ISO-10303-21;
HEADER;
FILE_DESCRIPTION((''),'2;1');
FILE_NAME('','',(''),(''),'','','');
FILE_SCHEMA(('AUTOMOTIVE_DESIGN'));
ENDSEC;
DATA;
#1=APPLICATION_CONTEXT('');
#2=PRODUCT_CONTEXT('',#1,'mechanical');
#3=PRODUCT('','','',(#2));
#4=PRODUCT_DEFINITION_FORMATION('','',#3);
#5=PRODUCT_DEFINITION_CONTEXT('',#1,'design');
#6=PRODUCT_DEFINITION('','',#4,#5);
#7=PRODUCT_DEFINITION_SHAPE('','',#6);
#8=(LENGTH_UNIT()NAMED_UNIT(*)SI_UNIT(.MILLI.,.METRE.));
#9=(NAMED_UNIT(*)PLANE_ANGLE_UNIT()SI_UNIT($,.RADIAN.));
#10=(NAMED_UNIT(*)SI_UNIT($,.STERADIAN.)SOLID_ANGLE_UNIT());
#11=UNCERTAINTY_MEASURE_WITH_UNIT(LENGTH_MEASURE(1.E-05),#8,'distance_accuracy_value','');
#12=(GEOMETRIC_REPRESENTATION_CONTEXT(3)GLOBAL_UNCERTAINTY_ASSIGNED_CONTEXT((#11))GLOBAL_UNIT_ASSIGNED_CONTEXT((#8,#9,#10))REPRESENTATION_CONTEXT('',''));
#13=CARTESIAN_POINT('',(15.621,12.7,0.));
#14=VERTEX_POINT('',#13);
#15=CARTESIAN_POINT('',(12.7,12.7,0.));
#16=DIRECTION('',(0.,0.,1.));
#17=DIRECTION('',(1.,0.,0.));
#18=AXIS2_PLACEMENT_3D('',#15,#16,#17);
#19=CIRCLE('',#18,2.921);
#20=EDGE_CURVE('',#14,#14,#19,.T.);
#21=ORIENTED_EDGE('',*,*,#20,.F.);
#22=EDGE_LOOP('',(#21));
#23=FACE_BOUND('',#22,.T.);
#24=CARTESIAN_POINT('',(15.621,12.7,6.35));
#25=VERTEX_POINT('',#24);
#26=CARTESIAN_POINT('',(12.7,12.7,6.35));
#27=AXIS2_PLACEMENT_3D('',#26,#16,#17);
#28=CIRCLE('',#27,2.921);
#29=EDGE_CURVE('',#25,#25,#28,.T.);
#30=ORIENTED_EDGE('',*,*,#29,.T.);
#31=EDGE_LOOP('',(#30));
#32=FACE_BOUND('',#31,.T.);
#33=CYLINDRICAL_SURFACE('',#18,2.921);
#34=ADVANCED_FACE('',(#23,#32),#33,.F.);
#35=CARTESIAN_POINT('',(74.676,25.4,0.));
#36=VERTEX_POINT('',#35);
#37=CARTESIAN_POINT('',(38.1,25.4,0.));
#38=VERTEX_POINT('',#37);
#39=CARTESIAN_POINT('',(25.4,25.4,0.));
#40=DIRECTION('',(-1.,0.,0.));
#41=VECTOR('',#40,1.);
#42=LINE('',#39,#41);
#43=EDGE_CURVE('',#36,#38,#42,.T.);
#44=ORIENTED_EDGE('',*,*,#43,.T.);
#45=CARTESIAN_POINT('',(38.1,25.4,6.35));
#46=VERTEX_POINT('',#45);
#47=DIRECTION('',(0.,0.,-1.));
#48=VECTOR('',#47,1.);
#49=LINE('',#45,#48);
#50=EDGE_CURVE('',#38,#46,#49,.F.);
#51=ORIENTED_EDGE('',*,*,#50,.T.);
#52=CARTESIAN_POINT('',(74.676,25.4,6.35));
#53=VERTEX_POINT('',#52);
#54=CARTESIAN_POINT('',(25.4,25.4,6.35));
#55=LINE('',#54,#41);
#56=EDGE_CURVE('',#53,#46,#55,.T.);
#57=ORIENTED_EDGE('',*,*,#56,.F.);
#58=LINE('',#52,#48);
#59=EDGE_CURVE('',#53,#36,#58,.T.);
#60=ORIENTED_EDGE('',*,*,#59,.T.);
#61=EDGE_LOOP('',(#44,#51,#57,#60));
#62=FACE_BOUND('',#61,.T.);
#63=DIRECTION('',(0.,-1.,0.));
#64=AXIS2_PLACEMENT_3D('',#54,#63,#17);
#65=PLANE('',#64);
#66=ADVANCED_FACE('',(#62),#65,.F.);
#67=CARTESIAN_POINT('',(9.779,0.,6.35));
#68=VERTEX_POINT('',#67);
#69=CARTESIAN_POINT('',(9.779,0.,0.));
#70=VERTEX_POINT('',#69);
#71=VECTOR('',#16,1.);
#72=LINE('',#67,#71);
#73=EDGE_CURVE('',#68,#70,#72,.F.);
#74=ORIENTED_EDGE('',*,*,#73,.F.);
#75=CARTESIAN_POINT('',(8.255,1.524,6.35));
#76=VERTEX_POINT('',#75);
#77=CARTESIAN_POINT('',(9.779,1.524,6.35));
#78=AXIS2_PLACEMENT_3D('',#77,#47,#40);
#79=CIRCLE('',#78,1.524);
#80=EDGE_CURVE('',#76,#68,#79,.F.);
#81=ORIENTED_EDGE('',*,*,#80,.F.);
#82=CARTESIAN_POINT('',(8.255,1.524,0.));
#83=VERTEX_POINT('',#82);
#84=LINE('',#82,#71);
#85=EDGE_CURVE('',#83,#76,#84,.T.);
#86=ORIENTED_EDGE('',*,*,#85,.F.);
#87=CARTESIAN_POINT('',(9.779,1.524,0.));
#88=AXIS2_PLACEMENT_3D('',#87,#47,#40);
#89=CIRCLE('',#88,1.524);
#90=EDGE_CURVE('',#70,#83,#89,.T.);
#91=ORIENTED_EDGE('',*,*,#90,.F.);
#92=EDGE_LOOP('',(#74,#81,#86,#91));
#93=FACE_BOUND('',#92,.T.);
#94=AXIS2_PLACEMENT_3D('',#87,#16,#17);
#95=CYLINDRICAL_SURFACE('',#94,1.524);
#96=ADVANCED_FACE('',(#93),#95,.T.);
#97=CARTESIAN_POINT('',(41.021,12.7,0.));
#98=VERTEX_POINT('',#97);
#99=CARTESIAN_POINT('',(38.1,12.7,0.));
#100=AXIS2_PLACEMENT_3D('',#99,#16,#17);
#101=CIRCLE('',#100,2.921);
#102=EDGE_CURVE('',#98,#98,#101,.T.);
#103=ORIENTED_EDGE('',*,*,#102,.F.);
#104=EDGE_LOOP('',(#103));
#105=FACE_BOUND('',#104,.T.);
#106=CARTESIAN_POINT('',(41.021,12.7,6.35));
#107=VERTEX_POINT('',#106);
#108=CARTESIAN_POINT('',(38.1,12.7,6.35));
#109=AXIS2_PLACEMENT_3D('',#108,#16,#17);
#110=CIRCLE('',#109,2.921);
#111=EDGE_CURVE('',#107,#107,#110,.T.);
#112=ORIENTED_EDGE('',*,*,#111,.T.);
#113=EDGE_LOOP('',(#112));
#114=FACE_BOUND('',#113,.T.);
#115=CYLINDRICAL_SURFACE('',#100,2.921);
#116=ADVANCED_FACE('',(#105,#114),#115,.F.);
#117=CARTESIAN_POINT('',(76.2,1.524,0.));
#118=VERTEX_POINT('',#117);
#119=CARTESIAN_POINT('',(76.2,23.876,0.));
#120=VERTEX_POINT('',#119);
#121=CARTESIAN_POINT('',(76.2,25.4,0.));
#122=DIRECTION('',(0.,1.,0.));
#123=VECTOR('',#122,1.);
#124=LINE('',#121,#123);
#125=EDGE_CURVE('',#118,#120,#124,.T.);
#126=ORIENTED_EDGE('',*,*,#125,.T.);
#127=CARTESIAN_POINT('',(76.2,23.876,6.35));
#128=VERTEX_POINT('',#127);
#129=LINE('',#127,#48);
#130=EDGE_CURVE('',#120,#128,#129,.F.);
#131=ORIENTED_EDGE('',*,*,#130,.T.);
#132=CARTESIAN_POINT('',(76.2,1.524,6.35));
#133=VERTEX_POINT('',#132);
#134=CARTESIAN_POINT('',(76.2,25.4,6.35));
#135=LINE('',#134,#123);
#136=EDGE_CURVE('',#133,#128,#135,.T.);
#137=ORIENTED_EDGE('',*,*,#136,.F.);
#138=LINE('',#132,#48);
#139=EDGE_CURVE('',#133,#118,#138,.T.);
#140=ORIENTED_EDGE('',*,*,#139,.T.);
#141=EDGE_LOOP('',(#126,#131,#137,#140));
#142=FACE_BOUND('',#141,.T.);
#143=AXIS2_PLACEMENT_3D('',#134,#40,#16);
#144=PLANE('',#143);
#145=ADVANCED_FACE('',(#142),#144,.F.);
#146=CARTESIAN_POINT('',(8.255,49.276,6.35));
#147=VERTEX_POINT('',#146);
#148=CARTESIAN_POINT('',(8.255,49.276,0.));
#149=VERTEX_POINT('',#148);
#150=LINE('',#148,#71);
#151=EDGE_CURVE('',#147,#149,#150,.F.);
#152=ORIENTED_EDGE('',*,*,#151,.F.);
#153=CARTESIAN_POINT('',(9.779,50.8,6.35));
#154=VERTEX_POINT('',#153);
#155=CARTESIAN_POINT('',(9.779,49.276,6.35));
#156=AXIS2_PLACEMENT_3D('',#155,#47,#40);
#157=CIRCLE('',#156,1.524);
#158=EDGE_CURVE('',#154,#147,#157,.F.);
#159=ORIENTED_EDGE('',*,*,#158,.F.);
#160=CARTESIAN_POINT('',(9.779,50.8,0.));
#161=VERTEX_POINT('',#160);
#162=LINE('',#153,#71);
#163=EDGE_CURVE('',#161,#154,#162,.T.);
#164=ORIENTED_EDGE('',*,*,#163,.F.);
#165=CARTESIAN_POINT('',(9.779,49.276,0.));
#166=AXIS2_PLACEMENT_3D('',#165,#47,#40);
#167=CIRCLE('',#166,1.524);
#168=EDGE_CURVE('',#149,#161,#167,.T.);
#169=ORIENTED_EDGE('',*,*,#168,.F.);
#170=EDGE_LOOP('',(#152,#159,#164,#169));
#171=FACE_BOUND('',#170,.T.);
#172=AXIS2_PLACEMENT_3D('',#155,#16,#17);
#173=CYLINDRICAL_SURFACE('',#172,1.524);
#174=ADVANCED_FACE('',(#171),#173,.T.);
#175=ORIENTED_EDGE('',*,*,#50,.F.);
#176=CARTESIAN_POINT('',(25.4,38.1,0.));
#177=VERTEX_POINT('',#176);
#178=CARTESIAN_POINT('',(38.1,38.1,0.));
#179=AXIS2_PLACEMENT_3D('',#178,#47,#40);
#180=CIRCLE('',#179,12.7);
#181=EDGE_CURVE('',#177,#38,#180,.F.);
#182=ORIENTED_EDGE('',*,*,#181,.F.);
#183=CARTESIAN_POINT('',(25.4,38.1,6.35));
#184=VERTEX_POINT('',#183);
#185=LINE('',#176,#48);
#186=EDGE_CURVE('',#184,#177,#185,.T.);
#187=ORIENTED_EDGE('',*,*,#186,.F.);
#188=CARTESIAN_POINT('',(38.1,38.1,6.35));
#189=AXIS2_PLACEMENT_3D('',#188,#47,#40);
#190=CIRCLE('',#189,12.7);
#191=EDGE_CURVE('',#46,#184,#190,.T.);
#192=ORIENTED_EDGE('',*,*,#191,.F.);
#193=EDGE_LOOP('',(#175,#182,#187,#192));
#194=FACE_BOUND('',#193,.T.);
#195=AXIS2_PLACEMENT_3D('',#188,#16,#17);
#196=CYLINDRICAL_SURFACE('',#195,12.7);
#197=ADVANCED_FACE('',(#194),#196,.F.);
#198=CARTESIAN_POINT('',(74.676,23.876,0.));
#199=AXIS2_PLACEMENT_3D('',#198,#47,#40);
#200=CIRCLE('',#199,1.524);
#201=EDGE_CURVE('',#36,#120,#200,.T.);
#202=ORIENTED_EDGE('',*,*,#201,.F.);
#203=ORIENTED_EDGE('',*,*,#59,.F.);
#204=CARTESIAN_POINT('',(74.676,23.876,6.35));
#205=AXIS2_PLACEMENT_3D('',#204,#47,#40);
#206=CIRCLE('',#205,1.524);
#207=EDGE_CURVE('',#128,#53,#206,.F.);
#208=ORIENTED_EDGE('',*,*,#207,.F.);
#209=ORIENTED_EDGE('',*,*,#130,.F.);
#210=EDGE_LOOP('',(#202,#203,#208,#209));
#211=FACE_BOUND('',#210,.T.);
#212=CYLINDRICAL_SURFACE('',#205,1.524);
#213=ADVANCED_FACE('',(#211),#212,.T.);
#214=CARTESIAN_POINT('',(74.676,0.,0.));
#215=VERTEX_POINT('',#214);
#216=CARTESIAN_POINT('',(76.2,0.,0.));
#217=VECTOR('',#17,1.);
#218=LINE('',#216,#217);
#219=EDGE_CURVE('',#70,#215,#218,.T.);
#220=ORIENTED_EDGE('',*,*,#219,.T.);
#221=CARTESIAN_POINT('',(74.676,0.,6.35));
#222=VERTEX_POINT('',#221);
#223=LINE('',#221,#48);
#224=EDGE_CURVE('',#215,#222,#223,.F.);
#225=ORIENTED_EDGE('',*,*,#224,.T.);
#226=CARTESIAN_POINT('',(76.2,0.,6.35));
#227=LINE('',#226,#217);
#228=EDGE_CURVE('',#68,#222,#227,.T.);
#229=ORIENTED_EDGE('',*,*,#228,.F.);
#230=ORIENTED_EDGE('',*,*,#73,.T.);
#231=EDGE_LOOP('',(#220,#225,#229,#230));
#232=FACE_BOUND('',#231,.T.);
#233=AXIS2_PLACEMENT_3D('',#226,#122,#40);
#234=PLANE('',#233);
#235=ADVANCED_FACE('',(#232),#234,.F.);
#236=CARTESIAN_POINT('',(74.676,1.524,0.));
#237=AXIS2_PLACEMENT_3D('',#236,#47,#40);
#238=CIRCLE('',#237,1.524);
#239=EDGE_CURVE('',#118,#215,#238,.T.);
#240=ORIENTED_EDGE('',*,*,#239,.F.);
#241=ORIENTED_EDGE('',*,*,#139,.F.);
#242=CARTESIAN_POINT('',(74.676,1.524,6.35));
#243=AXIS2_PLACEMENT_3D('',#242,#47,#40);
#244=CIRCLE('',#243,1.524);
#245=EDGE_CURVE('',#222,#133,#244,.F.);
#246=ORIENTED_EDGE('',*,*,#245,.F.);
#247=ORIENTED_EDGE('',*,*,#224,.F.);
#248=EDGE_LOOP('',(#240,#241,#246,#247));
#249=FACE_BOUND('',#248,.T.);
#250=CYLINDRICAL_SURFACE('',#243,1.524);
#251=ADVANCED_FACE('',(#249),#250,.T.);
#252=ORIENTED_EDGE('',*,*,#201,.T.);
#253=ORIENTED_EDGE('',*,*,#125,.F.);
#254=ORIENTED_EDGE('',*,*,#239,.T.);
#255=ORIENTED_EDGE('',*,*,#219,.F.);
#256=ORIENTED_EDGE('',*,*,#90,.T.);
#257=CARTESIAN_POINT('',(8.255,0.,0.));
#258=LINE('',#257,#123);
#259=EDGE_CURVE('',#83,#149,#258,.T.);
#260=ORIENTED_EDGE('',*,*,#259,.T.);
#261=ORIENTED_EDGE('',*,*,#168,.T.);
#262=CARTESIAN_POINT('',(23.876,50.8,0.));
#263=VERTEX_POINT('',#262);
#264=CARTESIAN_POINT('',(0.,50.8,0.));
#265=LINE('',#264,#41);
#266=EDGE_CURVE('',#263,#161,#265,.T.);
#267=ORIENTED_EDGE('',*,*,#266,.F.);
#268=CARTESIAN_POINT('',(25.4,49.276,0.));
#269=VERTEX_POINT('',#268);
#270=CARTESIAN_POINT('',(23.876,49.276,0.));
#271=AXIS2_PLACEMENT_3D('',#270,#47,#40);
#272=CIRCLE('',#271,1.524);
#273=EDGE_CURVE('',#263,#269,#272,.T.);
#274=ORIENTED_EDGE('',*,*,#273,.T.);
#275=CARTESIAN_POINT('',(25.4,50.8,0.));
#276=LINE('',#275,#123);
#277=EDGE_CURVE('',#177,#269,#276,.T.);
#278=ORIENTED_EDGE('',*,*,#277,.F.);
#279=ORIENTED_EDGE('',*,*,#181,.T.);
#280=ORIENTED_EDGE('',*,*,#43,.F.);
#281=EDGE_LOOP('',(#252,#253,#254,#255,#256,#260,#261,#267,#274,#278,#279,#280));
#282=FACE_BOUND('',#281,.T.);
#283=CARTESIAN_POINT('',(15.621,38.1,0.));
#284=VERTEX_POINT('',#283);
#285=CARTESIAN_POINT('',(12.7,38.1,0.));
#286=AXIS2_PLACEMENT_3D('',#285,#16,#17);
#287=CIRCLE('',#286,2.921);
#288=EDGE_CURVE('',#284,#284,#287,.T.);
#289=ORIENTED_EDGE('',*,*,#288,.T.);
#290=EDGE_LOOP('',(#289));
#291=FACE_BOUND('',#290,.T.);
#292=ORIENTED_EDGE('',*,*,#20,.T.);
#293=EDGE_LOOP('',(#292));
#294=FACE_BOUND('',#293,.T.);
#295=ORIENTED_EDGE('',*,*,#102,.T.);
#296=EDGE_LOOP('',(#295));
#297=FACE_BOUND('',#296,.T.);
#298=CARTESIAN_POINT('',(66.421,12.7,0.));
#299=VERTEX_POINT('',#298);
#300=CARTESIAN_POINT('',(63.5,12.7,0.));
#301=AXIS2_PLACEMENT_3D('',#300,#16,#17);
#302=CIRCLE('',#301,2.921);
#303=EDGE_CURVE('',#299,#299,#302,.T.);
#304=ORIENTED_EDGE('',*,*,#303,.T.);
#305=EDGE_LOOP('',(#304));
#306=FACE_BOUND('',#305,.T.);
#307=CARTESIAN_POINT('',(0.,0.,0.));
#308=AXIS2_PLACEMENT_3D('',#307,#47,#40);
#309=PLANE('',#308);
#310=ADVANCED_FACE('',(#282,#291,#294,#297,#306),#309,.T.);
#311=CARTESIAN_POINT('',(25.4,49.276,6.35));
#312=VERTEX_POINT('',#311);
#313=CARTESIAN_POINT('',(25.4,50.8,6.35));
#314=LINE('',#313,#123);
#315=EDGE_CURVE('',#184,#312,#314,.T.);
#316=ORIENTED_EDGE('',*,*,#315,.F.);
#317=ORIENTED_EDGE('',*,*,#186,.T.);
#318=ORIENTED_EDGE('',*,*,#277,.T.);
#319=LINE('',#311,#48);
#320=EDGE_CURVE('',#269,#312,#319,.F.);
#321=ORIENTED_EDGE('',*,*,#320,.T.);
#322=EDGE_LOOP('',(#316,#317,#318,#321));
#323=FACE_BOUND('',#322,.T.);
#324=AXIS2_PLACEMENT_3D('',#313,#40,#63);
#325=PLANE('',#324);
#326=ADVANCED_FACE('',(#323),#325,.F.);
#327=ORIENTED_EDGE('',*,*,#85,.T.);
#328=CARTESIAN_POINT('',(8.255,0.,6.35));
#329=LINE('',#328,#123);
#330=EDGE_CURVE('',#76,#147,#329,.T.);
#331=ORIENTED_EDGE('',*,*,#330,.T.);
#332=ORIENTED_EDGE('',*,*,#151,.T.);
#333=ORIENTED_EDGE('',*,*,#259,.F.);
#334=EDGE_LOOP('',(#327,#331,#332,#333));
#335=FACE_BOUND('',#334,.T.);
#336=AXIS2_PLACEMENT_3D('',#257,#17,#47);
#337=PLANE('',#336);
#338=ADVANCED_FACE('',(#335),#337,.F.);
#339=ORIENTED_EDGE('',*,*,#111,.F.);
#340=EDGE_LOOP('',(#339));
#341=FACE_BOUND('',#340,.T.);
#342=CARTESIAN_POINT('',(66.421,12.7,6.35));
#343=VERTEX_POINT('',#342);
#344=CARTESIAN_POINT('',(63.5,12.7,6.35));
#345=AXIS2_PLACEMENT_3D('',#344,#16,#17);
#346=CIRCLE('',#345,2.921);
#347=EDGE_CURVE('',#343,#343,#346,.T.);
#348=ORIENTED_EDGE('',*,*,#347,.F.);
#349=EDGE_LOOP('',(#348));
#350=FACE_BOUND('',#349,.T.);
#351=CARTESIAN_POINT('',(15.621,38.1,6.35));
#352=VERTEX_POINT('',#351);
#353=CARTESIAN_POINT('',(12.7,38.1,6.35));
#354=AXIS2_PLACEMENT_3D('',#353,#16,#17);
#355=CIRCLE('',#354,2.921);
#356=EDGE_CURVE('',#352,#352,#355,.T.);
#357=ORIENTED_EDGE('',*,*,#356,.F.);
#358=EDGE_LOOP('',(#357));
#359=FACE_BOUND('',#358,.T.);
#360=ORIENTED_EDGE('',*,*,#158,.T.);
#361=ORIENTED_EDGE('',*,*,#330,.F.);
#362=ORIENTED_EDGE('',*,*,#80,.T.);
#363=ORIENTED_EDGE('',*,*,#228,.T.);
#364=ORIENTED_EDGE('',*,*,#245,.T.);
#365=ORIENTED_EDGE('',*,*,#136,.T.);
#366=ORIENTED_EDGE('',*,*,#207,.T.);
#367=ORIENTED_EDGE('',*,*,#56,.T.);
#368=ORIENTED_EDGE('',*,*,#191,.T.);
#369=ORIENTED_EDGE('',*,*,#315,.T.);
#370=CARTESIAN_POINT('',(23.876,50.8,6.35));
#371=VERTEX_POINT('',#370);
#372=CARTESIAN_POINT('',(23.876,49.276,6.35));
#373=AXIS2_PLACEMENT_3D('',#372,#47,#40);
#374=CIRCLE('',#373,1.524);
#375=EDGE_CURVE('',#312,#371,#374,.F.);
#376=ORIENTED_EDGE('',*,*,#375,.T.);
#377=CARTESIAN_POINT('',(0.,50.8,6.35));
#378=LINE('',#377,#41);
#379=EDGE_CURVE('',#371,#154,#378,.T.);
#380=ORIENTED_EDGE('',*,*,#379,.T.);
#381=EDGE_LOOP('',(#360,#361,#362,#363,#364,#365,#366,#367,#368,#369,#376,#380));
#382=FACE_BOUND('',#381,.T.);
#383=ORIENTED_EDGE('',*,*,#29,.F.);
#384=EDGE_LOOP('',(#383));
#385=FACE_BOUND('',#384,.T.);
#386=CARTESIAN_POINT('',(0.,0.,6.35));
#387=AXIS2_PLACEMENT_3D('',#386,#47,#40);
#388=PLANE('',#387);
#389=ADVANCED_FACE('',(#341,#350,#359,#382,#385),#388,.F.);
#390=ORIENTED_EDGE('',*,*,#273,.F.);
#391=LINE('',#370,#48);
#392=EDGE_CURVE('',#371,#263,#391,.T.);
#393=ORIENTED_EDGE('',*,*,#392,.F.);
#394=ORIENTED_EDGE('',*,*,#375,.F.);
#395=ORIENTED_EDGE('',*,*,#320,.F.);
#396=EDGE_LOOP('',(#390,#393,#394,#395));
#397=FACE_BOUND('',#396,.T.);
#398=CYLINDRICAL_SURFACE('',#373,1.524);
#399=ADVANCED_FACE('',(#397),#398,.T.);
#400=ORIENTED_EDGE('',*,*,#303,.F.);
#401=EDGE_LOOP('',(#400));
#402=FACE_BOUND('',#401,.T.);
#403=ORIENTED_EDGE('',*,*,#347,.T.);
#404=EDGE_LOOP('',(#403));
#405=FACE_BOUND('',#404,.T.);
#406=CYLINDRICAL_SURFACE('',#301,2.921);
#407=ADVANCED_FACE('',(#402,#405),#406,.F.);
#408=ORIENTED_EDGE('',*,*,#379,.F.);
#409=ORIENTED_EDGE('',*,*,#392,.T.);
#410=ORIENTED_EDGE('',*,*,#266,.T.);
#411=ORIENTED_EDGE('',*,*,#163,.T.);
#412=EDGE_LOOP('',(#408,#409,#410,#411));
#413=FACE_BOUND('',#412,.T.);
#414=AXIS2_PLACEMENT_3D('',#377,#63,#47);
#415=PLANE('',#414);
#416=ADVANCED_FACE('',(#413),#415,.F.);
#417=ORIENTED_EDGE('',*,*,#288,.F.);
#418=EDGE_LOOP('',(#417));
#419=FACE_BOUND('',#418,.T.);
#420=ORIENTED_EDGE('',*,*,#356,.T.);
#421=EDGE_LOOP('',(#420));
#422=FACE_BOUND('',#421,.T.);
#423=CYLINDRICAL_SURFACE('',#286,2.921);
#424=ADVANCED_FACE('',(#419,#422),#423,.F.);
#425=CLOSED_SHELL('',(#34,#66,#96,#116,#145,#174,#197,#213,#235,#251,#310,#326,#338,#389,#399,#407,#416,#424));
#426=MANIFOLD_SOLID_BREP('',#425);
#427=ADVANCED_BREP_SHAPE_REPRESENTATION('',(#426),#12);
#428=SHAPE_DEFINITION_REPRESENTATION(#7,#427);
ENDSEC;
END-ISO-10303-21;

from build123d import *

# Parameters (mm, degrees)
BOSS_EXTRUDE1_DEPTH = 6.35
SKETCH2_R           = 2.921
CUT_EXTRUDE1_DEPTH  = 92.800885072
SKETCH3_W           = 8.255
SKETCH3_H           = 50.8
CUT_EXTRUDE2_DEPTH  = 92.800885072
FILLET1_R           = 12.7
FILLET2_R           = 1.524


with BuildPart() as part:
    # Sketch1 → Boss-Extrude1 (new body)
    with BuildSketch(Plane.XY):
        Polygon((0, 0), (0, 50.8), (25.4, 50.8), (25.4, 25.4), (76.2, 25.4), (76.2, 0), align=None)
    extrude(amount=BOSS_EXTRUDE1_DEPTH)

    # Sketch2 → Cut-Extrude1 (cut, through all)
    with BuildSketch(Plane.XY.offset(6.35)):
        with Locations((12.7, 38.1)):
            Circle(SKETCH2_R)
        with Locations((12.7, 12.7)):
            Circle(SKETCH2_R)
        with Locations((38.1, 12.7)):
            Circle(SKETCH2_R)
        with Locations((63.5, 12.7)):
            Circle(SKETCH2_R)
    extrude(amount=-CUT_EXTRUDE1_DEPTH, mode=Mode.SUBTRACT)

    # Sketch3 → Cut-Extrude2 (cut, through all)
    with BuildSketch(Plane.XY.offset(6.35)):
        with Locations((4.1275, 25.4)):
            Rectangle(SKETCH3_W, SKETCH3_H)
    extrude(amount=-CUT_EXTRUDE2_DEPTH, mode=Mode.SUBTRACT)

    # Fillet1
    fillet1_edges = [part.edges().sort_by_distance(p)[0] for p in [
        (25.4, 25.4, 3.175),
    ]]
    fillet(fillet1_edges, radius=FILLET1_R)

    # Fillet2
    fillet2_edges = [part.edges().sort_by_distance(p)[0] for p in [
        (25.4, 50.8, 3.175),
        (76.2, 25.4, 3.175),
        (76.2, 0, 3.175),
        (8.255, 50.8, 3.175),
        (8.255, 0, 3.175),
    ]]
    fillet(fillet2_edges, radius=FILLET2_R)


solid = part.part
